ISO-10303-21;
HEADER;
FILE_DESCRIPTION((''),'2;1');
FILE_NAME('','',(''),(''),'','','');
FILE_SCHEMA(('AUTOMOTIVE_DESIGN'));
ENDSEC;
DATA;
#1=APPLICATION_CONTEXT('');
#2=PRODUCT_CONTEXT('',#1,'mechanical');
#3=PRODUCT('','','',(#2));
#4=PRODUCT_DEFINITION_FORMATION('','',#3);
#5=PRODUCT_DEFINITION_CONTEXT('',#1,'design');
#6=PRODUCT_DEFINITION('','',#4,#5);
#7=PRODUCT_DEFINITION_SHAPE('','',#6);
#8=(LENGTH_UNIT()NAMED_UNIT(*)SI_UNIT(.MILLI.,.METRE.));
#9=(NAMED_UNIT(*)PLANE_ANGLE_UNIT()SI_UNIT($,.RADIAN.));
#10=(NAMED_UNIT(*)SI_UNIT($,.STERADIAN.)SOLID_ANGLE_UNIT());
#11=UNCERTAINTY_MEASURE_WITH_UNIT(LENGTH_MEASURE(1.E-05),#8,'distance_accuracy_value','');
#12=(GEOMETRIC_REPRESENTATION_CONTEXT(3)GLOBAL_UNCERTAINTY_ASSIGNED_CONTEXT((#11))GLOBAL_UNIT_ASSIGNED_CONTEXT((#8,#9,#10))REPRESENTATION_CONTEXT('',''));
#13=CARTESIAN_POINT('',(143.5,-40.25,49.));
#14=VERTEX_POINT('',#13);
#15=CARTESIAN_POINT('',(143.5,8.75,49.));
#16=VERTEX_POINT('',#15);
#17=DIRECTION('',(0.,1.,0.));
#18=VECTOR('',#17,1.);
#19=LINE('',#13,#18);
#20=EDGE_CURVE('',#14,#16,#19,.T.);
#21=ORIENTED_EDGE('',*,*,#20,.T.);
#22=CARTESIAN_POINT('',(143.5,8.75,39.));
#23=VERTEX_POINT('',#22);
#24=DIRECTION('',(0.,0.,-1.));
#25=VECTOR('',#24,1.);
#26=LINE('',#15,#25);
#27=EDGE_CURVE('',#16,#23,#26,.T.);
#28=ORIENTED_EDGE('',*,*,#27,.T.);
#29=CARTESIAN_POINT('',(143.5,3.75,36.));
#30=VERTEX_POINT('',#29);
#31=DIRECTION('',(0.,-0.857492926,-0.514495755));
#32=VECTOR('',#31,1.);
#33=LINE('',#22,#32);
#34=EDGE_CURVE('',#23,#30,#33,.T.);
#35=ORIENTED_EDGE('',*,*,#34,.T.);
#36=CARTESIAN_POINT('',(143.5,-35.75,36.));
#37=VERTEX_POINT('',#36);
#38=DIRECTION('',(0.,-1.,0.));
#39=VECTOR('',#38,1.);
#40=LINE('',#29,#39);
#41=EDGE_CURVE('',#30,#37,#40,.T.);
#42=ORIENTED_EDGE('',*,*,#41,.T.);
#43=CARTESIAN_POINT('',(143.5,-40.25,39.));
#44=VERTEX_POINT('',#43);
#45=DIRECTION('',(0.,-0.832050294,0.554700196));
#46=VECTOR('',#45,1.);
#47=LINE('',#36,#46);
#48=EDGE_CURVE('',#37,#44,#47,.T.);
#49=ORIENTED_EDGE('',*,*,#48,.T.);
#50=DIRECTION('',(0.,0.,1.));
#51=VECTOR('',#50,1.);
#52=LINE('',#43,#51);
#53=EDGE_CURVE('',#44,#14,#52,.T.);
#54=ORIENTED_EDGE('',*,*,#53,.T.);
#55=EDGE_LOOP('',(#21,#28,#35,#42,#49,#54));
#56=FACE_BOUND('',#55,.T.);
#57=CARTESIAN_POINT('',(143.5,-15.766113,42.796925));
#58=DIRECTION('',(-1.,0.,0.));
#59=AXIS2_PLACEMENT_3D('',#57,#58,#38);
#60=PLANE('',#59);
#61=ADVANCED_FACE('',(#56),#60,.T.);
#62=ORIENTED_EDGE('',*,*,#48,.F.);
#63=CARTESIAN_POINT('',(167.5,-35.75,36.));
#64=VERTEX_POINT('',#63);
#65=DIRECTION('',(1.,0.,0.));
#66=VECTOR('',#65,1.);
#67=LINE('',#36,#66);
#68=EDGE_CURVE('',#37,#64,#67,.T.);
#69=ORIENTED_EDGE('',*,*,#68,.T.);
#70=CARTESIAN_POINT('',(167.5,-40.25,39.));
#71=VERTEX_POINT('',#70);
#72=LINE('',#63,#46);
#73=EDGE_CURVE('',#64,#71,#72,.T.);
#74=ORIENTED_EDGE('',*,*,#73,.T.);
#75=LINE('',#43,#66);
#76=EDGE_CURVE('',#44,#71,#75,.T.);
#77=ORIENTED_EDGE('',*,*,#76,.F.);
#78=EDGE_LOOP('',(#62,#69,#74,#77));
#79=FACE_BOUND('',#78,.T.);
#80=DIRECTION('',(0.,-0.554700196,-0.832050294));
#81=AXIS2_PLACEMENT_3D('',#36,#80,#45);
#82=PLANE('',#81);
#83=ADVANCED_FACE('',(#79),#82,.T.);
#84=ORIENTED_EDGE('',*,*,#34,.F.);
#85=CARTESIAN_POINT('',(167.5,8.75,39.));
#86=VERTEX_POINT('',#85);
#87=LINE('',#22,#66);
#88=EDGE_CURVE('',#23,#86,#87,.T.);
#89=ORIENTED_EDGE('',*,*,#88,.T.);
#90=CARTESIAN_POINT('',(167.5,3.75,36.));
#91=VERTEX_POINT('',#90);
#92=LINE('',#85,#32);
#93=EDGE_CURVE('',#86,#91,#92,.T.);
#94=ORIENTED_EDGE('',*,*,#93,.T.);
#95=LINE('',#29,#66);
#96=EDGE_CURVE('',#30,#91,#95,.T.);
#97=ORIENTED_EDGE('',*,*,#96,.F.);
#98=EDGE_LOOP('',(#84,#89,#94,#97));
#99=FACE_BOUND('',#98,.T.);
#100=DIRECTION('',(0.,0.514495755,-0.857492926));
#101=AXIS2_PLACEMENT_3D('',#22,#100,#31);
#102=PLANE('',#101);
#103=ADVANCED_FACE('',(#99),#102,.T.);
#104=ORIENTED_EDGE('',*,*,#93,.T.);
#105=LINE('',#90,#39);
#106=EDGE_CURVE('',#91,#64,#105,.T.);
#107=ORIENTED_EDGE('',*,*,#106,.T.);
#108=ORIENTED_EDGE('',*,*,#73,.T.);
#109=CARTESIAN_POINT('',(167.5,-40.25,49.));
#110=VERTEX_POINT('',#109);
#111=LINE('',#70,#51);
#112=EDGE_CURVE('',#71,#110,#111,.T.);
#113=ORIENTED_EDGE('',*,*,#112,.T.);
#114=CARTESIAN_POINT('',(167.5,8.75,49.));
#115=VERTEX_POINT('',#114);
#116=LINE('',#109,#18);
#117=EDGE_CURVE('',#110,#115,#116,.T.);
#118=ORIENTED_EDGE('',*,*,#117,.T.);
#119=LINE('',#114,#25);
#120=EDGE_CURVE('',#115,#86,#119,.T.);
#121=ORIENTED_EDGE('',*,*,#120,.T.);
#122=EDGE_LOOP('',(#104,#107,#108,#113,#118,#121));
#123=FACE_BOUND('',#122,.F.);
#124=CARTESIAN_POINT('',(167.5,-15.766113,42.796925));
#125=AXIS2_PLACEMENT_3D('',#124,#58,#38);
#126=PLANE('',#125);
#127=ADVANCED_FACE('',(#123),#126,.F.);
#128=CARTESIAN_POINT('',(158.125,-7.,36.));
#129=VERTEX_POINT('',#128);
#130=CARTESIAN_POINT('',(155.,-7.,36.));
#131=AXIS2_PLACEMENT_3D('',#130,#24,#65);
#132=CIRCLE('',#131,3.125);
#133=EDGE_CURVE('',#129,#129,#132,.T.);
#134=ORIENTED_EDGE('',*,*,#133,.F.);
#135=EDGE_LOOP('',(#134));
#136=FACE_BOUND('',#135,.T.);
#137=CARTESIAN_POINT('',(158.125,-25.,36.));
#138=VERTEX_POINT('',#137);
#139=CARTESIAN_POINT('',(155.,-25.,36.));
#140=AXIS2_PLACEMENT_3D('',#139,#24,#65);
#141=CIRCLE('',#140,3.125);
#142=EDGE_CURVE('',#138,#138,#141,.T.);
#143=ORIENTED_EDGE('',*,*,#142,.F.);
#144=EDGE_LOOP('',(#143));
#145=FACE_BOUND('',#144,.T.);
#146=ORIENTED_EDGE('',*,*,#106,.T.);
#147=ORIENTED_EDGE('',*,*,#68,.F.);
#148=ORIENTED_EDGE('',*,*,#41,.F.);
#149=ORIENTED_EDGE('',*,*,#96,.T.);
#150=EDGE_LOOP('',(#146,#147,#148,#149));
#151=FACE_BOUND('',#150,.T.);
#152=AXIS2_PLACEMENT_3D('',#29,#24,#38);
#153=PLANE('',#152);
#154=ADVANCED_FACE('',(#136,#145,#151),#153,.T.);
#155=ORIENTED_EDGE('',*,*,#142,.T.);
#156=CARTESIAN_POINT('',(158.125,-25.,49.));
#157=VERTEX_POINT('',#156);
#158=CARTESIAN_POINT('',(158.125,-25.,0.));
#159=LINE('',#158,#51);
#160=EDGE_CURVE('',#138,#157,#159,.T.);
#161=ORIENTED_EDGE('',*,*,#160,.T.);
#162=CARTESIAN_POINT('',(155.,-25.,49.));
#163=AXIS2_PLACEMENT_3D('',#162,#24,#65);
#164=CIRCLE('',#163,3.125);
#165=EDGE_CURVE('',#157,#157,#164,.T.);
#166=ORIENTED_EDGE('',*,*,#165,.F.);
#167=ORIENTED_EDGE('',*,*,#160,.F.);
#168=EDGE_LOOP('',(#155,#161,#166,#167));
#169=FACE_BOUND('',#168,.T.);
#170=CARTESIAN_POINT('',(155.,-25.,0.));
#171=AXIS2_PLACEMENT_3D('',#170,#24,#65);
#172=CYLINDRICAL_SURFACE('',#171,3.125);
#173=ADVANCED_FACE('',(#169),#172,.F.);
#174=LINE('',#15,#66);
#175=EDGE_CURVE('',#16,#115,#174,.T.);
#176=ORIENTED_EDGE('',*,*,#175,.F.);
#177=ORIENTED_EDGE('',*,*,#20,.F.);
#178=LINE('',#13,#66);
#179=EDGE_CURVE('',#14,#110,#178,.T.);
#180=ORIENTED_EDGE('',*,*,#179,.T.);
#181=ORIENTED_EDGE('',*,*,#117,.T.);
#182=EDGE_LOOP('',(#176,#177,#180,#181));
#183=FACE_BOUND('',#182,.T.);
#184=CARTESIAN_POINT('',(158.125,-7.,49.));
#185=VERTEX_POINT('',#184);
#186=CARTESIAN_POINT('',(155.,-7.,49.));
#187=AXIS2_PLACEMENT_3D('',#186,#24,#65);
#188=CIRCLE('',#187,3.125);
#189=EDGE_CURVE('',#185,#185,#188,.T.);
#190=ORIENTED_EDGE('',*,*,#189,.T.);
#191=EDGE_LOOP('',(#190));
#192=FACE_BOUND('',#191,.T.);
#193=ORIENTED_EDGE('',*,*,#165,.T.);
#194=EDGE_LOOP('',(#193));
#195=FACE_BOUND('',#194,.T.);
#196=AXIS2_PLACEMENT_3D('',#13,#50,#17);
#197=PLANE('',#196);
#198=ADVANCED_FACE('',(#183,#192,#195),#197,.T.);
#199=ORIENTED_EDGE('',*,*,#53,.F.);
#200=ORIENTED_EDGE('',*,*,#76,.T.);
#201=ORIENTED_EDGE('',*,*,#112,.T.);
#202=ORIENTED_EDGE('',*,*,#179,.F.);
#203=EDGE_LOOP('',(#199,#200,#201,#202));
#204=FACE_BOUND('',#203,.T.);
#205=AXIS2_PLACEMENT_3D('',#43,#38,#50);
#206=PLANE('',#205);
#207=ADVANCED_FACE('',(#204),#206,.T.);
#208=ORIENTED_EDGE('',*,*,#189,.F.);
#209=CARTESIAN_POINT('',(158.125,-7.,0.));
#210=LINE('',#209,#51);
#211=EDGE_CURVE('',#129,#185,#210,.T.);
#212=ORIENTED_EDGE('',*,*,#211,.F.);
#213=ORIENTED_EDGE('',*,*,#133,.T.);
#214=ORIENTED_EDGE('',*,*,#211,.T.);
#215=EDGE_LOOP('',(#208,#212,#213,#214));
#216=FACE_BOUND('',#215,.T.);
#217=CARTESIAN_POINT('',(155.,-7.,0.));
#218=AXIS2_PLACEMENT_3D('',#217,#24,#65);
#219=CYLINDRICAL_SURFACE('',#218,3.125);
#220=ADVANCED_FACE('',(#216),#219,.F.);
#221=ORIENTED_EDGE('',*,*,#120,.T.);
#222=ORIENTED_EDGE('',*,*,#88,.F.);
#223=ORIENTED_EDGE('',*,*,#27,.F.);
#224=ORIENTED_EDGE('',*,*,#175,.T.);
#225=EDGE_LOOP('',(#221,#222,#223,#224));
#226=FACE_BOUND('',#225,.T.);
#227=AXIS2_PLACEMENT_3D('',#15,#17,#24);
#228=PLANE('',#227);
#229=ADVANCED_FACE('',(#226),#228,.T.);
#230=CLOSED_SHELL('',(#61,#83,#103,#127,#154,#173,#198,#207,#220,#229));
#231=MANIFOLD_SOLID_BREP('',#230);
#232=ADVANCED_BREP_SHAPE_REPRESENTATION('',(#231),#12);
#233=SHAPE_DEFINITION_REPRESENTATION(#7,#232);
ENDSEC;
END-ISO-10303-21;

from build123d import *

# Parameters (mm, degrees)
PAD001_DEPTH    = 24
SKETCH021_R     = 3.125
POCKET019_DEPTH = 49.001


with BuildPart() as part:
    # Sketch020 → Pad001 (new body)
    with BuildSketch(Plane.YZ.offset(143.5)):
        Polygon((-40.25, 49), (8.75, 49), (8.75, 39), (3.75, 36), (-35.75, 36), (-40.25, 39), align=None)
    extrude(amount=PAD001_DEPTH)

    # Sketch021 → Pocket019 (cut, through all)
    with BuildSketch(Plane.XY):
        with Locations((155, -7)):
            Circle(SKETCH021_R)
        with Locations((155, -25)):
            Circle(SKETCH021_R)
    extrude(amount=POCKET019_DEPTH, mode=Mode.SUBTRACT)


solid = part.part
